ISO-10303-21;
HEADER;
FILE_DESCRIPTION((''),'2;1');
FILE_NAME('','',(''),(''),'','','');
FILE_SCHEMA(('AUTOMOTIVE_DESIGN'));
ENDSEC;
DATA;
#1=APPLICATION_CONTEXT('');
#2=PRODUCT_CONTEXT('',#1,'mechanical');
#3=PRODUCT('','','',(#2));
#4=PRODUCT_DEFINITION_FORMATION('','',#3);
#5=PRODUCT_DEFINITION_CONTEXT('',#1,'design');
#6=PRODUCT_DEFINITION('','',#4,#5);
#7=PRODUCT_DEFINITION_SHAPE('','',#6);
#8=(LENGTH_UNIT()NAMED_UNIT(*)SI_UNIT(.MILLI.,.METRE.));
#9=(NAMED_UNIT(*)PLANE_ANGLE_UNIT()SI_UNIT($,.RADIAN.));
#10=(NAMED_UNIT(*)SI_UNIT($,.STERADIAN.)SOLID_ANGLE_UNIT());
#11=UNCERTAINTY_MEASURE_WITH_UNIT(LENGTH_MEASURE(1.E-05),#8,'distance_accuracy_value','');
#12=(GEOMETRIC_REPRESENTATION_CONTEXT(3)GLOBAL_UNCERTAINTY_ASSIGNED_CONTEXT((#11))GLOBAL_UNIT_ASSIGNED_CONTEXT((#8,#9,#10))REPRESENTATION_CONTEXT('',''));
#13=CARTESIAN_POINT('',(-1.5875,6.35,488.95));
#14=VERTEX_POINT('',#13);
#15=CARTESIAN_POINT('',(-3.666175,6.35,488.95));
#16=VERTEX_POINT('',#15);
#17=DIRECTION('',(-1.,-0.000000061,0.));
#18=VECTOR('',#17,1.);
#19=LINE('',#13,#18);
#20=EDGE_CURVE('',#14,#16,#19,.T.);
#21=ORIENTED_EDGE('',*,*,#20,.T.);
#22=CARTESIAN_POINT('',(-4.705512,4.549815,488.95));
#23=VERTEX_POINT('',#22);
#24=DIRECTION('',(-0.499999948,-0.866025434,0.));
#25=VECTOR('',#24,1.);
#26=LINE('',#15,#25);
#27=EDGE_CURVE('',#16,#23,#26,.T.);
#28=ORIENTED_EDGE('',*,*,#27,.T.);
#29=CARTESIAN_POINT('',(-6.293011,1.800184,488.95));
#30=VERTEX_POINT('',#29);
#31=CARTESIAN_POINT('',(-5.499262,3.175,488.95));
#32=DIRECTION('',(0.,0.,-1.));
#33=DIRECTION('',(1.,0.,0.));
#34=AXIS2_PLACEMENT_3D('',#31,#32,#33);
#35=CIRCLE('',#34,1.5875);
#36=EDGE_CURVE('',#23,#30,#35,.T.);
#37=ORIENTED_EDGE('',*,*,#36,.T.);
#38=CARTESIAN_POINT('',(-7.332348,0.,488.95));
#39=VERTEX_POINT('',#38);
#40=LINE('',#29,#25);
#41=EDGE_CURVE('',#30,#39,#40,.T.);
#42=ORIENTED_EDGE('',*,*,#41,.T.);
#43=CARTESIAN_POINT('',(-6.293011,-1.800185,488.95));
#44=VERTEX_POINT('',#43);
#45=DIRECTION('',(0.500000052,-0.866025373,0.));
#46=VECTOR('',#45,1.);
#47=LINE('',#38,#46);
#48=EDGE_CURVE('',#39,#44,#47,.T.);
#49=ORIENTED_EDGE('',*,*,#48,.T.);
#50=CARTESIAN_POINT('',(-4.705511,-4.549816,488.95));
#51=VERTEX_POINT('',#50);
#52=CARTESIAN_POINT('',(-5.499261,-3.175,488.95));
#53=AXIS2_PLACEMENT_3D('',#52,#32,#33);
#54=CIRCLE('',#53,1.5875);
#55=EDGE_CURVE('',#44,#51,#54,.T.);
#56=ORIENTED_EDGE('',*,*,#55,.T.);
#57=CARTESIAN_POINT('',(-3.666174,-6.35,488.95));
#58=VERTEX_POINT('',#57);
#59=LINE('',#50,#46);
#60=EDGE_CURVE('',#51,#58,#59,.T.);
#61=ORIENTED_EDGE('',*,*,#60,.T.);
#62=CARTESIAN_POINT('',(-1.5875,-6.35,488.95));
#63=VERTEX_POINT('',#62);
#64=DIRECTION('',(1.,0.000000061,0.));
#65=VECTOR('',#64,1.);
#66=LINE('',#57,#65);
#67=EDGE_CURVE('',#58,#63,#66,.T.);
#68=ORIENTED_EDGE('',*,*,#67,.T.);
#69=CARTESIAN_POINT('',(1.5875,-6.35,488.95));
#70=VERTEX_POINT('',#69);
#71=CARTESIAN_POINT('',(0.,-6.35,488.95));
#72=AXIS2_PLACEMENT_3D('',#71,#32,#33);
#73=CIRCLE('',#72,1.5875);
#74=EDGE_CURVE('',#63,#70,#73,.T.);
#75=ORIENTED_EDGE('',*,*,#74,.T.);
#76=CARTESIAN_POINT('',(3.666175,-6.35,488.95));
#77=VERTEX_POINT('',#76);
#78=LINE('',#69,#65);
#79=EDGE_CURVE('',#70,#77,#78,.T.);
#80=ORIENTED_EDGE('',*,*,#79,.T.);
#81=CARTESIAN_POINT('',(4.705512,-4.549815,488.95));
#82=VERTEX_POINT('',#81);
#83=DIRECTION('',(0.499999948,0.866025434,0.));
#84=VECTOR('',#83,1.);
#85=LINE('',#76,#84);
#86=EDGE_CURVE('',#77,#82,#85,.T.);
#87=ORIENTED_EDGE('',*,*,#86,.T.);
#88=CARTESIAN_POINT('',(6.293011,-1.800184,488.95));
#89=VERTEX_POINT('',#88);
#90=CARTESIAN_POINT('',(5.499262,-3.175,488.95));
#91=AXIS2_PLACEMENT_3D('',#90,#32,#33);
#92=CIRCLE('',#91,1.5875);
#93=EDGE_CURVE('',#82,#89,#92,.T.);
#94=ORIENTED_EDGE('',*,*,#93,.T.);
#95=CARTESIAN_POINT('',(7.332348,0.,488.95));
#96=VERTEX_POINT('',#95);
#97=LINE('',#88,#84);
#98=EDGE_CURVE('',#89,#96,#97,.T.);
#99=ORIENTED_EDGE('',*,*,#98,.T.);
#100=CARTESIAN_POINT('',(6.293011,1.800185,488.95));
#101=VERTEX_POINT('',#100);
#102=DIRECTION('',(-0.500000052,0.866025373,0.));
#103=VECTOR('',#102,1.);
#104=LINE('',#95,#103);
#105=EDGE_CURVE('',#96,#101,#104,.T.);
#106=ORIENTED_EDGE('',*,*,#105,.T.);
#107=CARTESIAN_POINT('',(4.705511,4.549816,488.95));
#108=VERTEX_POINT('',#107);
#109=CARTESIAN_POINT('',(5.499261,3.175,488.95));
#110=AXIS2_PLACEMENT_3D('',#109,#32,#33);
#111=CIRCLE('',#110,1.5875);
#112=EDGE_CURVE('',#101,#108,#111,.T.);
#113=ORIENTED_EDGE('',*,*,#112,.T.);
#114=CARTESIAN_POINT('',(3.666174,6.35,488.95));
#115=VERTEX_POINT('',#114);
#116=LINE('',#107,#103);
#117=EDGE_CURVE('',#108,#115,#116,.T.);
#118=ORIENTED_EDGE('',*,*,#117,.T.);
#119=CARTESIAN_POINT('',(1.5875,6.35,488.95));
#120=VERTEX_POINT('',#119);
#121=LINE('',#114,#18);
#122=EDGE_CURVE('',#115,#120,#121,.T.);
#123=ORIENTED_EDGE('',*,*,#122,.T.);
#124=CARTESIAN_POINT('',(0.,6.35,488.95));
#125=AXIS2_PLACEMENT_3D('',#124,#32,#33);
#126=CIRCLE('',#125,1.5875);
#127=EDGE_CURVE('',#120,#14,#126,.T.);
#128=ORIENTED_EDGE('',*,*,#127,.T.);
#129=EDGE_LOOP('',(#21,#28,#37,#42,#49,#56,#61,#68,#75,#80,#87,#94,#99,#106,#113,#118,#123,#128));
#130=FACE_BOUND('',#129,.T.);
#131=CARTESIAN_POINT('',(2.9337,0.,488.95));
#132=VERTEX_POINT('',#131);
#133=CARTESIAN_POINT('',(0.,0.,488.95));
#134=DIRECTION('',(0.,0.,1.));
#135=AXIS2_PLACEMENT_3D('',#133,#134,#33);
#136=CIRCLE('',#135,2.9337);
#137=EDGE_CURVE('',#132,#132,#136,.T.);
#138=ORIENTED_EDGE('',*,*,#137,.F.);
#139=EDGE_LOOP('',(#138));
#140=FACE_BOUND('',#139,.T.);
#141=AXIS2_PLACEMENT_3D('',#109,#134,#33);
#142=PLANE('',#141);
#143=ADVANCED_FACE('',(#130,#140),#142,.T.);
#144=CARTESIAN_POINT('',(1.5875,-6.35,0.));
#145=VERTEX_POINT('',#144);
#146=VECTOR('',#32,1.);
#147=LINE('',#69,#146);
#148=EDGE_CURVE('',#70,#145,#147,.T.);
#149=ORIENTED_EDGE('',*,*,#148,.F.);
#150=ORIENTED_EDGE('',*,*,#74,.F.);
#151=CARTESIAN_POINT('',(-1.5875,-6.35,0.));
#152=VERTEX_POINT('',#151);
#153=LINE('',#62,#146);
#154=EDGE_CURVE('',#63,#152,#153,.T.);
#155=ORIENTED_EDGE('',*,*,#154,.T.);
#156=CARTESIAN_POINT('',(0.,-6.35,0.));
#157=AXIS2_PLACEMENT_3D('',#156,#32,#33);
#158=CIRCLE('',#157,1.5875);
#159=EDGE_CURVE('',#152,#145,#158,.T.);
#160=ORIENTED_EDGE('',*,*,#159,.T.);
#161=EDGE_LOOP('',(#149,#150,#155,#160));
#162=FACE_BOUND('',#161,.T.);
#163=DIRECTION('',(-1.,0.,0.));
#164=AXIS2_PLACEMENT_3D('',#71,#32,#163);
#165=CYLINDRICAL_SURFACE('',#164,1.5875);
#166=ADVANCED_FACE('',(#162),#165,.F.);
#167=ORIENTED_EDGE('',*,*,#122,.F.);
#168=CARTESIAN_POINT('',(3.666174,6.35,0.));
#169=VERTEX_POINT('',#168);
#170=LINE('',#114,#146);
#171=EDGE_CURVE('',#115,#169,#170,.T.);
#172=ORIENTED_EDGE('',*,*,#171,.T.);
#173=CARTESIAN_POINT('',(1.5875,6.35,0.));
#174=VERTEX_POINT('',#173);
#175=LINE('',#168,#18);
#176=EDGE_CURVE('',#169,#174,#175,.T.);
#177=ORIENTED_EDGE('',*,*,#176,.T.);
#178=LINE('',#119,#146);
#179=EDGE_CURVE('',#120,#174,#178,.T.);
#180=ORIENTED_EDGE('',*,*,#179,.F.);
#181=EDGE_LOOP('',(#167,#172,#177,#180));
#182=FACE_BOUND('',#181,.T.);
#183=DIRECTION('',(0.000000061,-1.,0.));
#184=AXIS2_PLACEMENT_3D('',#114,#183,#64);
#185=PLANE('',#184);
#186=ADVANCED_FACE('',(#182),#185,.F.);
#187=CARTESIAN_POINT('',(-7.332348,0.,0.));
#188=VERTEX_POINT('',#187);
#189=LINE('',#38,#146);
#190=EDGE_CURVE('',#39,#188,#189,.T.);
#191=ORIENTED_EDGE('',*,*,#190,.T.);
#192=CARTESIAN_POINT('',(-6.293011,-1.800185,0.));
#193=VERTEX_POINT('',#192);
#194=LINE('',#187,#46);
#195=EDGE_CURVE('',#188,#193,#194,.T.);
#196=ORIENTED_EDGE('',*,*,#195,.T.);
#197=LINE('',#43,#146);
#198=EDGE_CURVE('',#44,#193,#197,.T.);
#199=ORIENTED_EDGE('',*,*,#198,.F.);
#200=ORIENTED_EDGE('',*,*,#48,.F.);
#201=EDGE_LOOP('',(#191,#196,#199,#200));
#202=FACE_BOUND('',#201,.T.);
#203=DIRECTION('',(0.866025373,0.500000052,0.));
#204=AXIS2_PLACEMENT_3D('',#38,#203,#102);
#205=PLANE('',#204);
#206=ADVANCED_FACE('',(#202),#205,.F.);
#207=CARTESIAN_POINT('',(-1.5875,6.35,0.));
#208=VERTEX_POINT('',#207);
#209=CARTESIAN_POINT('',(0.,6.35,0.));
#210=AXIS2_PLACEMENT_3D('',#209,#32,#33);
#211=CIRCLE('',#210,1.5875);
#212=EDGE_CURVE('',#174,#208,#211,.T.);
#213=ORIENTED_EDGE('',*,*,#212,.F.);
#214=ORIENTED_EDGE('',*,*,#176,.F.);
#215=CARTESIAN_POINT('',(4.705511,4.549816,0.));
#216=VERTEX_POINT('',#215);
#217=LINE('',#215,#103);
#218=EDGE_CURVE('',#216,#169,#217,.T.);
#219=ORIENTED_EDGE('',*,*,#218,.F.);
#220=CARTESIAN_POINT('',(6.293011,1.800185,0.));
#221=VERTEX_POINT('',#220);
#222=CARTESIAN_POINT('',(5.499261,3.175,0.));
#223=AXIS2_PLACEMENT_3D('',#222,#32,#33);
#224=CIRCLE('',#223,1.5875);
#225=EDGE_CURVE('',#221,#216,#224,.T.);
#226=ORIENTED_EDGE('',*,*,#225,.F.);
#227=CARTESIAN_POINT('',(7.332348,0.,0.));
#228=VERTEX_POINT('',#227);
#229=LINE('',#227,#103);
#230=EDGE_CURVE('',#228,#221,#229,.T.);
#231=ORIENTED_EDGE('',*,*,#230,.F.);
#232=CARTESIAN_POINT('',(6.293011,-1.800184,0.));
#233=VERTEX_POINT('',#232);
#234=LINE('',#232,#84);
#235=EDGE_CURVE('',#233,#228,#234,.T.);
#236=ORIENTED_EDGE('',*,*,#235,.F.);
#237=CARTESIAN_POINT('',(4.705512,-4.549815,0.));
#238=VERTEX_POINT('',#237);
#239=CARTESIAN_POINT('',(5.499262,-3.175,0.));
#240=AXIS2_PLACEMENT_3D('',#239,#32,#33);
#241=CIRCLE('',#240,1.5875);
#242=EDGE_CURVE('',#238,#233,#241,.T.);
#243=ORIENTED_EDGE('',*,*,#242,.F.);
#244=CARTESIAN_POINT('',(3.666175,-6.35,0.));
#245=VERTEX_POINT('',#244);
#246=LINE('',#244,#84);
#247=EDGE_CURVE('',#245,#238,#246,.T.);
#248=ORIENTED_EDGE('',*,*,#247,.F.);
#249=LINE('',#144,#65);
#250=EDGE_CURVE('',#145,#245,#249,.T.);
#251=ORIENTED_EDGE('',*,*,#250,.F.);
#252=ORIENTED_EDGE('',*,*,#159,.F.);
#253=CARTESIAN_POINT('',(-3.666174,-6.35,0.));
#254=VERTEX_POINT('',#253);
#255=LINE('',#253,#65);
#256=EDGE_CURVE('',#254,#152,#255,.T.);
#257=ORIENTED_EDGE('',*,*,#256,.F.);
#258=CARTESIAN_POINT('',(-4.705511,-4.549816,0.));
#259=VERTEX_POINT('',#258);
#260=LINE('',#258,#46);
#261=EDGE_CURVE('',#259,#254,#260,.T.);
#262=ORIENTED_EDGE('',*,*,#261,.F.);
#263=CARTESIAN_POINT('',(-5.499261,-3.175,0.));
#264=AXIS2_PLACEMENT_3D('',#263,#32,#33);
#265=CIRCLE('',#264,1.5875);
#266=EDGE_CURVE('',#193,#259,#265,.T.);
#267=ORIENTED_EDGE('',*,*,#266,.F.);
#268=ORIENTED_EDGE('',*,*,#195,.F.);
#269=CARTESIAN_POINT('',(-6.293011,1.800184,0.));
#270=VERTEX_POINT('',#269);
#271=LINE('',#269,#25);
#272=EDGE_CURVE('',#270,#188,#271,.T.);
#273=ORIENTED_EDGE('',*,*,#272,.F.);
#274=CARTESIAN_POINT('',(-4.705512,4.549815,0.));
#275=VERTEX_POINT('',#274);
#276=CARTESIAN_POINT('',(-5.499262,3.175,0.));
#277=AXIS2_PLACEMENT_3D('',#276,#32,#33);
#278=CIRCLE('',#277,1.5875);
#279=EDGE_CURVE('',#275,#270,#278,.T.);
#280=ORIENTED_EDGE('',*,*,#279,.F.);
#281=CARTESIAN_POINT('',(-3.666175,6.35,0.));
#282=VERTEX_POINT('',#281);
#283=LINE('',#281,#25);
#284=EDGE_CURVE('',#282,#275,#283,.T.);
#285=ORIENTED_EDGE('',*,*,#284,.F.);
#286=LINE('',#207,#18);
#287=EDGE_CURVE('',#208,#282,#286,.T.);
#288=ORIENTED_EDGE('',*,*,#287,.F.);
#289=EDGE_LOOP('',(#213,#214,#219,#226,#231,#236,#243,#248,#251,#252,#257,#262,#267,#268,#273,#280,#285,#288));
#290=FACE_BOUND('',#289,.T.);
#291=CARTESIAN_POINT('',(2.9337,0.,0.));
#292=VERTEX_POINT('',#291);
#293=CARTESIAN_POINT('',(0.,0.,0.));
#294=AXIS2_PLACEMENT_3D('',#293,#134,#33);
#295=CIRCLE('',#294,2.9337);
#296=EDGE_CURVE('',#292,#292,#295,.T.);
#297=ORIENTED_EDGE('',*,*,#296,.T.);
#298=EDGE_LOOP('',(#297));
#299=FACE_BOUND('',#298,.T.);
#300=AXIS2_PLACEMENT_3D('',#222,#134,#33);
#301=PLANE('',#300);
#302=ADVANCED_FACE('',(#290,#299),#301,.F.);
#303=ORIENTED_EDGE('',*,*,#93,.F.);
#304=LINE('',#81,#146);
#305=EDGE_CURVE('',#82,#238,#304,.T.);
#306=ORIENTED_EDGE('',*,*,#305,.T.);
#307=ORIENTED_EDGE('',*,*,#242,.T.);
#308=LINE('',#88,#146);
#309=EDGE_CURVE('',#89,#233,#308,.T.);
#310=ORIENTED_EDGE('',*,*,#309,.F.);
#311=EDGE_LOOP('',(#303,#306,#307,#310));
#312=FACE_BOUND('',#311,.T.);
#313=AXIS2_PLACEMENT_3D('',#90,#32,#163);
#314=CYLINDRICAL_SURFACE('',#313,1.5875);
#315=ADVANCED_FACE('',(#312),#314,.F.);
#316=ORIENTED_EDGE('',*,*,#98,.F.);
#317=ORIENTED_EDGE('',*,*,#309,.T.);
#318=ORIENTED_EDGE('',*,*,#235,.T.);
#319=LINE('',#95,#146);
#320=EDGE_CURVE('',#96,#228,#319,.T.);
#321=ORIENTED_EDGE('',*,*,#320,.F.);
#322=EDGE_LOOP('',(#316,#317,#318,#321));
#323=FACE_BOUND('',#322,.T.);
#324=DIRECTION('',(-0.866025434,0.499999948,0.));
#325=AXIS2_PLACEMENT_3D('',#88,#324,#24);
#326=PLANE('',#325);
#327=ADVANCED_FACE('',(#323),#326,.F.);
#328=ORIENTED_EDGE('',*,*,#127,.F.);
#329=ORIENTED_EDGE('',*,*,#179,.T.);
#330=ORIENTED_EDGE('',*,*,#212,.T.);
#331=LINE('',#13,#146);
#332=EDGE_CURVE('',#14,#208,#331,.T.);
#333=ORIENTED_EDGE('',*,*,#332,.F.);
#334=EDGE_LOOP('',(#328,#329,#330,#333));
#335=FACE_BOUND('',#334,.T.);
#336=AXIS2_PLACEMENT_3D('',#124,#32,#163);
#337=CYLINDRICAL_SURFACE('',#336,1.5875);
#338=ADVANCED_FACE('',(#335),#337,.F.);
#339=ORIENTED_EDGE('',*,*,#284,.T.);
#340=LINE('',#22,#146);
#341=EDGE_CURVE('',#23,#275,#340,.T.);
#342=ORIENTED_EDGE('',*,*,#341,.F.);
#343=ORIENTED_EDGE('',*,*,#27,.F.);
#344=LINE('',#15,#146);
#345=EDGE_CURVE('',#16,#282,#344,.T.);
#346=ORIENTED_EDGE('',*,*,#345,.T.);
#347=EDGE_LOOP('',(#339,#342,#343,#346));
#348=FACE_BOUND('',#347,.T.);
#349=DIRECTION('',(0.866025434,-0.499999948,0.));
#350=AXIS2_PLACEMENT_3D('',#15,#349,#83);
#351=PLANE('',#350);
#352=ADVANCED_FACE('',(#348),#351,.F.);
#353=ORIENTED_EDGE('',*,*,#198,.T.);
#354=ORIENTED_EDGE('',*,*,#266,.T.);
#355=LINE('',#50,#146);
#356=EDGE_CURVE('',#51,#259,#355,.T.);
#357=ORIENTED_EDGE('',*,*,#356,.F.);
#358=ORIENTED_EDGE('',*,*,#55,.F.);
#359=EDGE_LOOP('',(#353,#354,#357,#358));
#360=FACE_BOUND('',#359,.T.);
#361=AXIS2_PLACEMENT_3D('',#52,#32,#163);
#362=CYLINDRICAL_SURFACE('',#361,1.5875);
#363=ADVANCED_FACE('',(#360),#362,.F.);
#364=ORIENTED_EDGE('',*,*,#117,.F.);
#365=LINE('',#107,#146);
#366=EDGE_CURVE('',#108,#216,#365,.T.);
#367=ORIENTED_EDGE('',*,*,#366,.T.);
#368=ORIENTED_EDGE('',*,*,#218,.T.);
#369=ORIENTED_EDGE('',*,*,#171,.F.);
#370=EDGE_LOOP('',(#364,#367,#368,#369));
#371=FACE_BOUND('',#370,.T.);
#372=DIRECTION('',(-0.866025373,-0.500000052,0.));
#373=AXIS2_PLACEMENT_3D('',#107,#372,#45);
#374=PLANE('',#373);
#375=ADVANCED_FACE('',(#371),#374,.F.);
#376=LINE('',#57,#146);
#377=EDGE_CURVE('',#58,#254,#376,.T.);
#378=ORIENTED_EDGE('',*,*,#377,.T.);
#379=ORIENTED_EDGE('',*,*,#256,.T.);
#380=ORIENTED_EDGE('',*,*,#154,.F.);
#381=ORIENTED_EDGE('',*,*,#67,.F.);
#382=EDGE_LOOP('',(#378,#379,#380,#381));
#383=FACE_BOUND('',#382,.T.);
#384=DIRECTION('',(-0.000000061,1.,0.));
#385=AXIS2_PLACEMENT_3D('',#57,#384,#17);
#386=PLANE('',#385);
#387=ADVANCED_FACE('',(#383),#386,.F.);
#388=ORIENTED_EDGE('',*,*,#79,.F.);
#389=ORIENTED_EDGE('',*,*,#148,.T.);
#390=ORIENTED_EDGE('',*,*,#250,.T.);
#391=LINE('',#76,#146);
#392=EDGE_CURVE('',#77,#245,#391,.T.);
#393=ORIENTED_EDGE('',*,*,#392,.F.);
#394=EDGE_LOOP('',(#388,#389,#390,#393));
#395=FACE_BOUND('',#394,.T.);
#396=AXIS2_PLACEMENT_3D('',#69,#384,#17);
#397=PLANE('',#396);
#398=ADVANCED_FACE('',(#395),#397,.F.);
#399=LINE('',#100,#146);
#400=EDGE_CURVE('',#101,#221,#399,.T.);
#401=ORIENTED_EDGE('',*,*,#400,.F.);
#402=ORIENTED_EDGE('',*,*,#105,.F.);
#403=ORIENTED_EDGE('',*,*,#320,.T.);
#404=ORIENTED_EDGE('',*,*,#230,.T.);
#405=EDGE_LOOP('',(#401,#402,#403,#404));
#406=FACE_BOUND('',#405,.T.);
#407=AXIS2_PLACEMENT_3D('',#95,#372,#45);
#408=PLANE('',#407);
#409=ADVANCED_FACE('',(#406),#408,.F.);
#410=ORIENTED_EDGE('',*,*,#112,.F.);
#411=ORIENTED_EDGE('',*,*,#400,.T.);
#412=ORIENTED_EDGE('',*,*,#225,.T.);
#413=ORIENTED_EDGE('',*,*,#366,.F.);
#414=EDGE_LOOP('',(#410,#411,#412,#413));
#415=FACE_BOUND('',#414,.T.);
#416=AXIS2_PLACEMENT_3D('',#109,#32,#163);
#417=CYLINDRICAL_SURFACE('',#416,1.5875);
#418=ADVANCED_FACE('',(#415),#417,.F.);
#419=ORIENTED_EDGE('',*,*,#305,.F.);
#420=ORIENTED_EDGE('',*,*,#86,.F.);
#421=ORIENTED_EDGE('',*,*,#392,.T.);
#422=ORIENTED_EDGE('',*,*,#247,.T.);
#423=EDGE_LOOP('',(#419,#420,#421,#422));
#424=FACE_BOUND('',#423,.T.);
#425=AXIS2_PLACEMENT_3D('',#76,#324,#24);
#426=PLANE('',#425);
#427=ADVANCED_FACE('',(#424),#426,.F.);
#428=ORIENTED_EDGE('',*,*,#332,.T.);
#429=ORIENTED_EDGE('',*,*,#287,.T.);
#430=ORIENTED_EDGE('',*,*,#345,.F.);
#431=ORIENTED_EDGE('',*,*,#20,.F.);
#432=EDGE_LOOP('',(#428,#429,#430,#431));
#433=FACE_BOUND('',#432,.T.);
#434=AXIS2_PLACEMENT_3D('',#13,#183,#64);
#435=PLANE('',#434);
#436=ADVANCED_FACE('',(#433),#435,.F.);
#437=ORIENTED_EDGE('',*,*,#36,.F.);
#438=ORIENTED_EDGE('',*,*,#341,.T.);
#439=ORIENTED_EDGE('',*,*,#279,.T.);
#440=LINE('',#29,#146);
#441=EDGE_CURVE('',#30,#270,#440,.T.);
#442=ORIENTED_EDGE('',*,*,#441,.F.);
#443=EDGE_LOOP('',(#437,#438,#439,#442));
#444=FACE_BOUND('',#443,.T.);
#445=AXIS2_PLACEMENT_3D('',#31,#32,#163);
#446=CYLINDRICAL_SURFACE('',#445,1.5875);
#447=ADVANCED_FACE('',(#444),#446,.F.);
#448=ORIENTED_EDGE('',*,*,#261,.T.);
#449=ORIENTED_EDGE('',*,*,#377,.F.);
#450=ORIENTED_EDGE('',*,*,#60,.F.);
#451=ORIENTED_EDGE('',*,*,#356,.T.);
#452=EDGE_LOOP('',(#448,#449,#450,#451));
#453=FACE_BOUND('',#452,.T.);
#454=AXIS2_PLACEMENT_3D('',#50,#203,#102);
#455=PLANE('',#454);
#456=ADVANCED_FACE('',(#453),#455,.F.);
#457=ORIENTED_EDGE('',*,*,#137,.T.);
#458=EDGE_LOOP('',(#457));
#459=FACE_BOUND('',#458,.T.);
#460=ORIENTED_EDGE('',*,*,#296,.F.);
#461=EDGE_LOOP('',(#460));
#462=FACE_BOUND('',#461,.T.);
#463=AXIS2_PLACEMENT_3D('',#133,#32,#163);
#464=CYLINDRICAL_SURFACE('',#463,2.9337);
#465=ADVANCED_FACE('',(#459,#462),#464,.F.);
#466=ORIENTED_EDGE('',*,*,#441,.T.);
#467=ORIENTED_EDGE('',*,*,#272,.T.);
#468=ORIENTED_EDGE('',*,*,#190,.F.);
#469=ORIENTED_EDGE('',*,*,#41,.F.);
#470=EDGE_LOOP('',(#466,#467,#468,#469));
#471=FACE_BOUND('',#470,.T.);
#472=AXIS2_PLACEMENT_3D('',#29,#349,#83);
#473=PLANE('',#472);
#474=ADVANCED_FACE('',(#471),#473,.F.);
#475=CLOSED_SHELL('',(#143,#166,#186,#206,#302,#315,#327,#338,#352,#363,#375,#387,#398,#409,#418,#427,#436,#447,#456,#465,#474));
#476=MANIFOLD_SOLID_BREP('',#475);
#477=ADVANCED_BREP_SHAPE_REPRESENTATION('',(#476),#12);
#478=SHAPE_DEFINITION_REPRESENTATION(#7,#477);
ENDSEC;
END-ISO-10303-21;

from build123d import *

# Parameters (mm, degrees)
SKETCH1_R           = 2.9337
BOSS_EXTRUDE1_DEPTH = 488.95


with BuildPart() as part:
    # Sketch1 → Boss-Extrude1 (new body)
    with BuildSketch(Plane.XY):
        with BuildLine():
            Line((-1.587500385, 6.349999904), (-3.666174594, 6.349999778))
            Line((-3.666174594, 6.349999778), (-4.70551159, 4.549815043))
            ThreePointArc((-4.70551159, 4.549815043), (-4.12444613, 2.38124975), (-6.293011423, 1.80018429))
            Line((-6.293011423, 1.80018429), (-7.332348419, -4.44e-07))
            Line((-7.332348419, -4.44e-07), (-6.293011205, -1.800185053))
            ThreePointArc((-6.293011205, -1.800185053), (-4.124445841, -2.38125025), (-4.705511038, -4.549815614))
            Line((-4.705511038, -4.549815614), (-3.666173825, -6.350000222))
            Line((-3.666173825, -6.350000222), (-1.587499615, -6.350000096))
            ThreePointArc((-1.587499615, -6.350000096), (2.89e-07, -4.7625), (1.587500385, -6.349999904))
            Line((1.587500385, -6.349999904), (3.666174594, -6.349999778))
            Line((3.666174594, -6.349999778), (4.70551159, -4.549815043))
            ThreePointArc((4.70551159, -4.549815043), (4.12444613, -2.38124975), (6.293011423, -1.80018429))
            Line((6.293011423, -1.80018429), (7.332348419, 4.44e-07))
            Line((7.332348419, 4.44e-07), (6.293011205, 1.800185053))
            ThreePointArc((6.293011205, 1.800185053), (4.124445841, 2.38125025), (4.705511038, 4.549815614))
            Line((4.705511038, 4.549815614), (3.666173825, 6.350000222))
            Line((3.666173825, 6.350000222), (1.587499615, 6.350000096))
            ThreePointArc((1.587499615, 6.350000096), (-2.89e-07, 4.7625), (-1.587500385, 6.349999904))
        make_face()
        Circle(SKETCH1_R, mode=Mode.SUBTRACT)
    extrude(amount=BOSS_EXTRUDE1_DEPTH)


solid = part.part
